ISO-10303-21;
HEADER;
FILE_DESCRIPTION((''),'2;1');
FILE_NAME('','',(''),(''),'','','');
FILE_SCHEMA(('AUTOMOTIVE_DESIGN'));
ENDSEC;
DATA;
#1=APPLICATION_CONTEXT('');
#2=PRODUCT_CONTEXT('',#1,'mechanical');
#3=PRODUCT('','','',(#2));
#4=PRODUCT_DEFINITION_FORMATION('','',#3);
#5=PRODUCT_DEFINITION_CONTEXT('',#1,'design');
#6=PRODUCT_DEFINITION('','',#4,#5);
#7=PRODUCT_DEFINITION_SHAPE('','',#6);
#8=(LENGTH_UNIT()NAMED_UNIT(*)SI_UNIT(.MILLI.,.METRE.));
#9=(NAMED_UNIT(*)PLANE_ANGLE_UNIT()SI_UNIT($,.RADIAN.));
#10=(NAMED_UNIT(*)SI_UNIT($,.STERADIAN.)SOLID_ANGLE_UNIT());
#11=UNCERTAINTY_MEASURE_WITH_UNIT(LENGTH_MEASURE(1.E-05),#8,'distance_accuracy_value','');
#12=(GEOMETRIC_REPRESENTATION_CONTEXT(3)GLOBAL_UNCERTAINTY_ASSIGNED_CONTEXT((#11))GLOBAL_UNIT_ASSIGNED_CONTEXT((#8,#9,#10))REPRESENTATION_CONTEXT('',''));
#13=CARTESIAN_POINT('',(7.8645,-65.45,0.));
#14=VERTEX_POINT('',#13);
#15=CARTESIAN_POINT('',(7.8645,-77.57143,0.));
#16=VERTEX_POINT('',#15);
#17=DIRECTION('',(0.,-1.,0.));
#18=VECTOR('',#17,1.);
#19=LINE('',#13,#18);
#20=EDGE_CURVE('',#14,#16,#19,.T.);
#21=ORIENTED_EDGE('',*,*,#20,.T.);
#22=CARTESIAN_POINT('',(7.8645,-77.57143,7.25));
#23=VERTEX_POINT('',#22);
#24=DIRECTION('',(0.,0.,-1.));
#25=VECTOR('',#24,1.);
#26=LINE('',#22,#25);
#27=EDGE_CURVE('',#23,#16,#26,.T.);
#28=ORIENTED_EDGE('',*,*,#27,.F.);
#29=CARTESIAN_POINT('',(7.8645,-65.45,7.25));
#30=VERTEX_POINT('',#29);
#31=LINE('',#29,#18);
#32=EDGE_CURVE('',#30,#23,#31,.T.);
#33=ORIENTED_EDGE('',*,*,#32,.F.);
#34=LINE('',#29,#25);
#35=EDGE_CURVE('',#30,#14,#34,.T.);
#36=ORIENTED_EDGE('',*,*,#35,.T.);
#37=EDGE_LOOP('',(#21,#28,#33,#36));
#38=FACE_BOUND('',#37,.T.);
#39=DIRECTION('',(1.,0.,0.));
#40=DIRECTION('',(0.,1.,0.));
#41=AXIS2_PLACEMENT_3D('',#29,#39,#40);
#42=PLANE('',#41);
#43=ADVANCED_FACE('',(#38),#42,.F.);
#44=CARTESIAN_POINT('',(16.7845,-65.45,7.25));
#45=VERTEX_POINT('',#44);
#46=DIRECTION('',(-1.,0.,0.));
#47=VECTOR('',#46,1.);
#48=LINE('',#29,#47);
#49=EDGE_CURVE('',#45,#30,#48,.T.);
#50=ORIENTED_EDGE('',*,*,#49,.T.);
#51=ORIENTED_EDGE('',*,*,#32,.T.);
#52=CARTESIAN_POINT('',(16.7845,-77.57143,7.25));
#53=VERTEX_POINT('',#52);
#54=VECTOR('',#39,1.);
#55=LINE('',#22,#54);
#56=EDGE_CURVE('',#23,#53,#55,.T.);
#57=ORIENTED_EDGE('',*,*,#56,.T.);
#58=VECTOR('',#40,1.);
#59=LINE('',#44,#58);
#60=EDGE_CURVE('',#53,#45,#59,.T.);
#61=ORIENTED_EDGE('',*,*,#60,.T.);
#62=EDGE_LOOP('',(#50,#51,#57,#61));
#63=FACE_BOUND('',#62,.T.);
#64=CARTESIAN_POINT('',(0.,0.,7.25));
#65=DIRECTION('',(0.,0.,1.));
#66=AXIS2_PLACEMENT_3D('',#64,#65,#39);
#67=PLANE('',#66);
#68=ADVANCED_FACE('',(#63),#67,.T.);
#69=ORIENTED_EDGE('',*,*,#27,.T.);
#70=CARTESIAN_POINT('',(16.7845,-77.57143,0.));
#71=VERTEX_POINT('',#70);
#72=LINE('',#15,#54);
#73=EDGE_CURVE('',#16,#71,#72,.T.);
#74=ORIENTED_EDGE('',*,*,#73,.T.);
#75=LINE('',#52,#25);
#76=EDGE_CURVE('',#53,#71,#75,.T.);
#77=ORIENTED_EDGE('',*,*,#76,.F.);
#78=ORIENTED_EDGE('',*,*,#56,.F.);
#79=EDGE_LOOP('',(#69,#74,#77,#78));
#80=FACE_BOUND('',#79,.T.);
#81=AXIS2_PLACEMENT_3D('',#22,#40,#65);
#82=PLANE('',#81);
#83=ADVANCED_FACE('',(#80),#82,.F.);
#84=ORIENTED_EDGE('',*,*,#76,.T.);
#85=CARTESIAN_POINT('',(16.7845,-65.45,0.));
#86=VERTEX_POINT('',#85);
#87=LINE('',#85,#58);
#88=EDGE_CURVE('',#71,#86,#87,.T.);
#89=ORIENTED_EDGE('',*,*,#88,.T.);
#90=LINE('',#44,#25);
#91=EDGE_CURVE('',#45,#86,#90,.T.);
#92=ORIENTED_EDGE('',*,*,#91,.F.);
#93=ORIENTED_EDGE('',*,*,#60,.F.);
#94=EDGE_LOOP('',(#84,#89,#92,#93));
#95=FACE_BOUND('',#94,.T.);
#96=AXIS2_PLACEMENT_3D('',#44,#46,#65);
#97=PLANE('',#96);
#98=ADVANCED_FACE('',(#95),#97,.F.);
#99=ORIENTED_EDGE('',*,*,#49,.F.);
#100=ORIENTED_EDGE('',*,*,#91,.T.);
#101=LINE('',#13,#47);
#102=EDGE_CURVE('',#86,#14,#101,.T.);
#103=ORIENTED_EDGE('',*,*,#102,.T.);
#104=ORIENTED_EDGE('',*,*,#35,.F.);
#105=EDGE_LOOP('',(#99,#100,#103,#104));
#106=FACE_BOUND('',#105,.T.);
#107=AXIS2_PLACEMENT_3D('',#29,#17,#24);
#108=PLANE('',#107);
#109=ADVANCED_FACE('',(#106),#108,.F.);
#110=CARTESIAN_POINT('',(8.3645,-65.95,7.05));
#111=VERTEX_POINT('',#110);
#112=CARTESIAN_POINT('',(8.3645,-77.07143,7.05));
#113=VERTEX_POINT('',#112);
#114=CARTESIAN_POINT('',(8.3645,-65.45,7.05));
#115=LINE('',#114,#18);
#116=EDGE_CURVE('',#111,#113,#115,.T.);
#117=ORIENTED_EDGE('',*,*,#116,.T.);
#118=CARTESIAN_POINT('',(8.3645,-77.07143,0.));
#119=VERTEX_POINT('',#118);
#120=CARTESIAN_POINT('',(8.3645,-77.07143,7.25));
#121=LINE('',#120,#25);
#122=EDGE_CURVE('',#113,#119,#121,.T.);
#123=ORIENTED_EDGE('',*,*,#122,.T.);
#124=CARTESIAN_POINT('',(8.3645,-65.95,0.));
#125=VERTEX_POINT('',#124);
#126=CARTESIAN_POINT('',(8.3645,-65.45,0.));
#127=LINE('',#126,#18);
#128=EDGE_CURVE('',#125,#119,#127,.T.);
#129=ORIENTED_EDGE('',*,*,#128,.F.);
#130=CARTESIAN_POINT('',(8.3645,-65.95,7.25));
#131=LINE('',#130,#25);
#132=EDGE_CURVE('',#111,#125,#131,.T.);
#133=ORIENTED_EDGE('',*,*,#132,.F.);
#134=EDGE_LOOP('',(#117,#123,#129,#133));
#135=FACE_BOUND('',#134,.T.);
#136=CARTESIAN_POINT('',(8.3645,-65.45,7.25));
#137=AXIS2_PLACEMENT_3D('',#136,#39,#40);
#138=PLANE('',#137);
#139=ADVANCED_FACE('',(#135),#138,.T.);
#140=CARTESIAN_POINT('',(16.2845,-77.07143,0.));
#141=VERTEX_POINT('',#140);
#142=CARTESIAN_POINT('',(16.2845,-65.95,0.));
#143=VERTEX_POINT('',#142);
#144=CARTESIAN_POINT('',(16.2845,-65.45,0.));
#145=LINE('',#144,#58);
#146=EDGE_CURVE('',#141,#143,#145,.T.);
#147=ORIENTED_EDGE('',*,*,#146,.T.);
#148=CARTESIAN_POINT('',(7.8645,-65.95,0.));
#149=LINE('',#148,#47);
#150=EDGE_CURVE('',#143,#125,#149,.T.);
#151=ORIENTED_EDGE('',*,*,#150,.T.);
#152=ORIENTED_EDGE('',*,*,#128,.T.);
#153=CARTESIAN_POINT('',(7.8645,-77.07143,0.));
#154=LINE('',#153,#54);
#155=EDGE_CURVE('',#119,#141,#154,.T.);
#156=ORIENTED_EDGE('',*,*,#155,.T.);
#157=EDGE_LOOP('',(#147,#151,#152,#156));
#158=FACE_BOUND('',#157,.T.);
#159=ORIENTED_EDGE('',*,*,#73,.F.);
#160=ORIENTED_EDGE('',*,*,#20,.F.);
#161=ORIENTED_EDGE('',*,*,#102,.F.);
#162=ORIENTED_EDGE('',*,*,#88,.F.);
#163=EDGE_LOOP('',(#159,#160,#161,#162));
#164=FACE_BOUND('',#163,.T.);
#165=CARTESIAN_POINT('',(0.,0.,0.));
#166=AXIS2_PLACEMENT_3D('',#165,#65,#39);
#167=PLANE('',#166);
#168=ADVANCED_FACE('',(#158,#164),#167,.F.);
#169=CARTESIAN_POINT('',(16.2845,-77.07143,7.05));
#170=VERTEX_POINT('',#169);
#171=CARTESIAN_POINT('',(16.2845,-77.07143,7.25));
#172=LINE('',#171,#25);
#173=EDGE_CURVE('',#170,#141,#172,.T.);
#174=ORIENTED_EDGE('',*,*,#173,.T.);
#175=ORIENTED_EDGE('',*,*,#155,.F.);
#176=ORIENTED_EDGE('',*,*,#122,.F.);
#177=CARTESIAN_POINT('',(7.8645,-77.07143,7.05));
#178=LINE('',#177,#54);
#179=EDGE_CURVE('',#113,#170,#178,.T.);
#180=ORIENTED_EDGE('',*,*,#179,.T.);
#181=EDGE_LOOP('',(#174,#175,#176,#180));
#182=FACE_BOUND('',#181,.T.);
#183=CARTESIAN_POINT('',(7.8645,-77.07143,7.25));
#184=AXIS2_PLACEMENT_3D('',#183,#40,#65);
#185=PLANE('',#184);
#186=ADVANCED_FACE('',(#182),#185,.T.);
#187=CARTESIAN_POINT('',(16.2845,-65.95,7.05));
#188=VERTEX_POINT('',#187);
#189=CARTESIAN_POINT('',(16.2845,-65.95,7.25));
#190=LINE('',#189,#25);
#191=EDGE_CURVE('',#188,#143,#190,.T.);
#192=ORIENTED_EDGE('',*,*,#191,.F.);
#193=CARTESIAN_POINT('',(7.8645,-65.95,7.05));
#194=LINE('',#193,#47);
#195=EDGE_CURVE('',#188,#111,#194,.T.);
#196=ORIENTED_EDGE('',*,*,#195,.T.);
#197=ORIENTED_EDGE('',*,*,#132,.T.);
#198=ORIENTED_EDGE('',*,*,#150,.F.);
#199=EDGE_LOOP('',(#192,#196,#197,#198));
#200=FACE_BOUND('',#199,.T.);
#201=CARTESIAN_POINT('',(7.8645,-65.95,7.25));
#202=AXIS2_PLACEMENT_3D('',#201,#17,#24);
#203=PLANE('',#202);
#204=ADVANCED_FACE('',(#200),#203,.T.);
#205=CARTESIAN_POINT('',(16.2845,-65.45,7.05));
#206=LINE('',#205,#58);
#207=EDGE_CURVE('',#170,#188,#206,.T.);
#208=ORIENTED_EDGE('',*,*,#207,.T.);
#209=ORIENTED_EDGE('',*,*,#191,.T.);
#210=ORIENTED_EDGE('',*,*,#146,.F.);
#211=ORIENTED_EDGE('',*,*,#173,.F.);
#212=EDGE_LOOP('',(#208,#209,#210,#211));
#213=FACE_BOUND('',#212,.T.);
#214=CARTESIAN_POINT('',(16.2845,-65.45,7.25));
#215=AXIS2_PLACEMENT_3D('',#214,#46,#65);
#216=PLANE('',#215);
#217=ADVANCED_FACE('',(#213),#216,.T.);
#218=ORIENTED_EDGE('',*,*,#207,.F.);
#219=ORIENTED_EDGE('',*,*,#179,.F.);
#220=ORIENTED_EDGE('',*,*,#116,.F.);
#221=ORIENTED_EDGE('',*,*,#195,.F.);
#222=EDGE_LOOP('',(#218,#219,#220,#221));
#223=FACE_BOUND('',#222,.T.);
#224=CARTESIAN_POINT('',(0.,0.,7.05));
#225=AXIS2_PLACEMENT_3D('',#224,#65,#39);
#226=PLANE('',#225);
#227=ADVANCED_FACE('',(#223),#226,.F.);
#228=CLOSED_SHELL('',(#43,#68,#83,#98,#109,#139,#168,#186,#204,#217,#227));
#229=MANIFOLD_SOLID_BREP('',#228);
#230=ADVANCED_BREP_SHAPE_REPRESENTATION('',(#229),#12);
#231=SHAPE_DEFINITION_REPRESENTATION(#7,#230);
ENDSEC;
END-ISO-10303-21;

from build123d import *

# Parameters (mm, degrees)
SKETCH1_W                 = 8.92
SKETCH1_H                 = 12.121430126
BOSS_EXTRUDE1_DEPTH       = 7.25
SHELL1_T                  = -0.5
SHELL1_THICKNESS_2_FACE_W = 7.92
SHELL1_THICKNESS_2_FACE_H = 11.121430126
SHELL1_THICKNESS_2_DEPTH  = 0.3


with BuildPart() as part:
    # Sketch1 → Boss-Extrude1 (new body)
    with BuildSketch(Plane.XY):
        with Locations((12.3245, -71.510715063)):
            Rectangle(SKETCH1_W, SKETCH1_H)
    extrude(amount=BOSS_EXTRUDE1_DEPTH)

    # Shell1
    shell1_openings = [part.faces().sort_by_distance(p)[0] for p in [
        (12.3245, -71.510715063, 0),
    ]]
    offset(amount=SHELL1_T, openings=shell1_openings, kind=Kind.INTERSECTION)

    # Shell1 thickness 2 face (on inner face of the shell) → Shell1 thickness 2 (cut)
    with BuildSketch(Plane(origin=(12.3245, -71.510715063, 6.75), x_dir=(1, 0, 0), z_dir=(0, 0, 1))):
        Rectangle(SHELL1_THICKNESS_2_FACE_W, SHELL1_THICKNESS_2_FACE_H)
    extrude(amount=SHELL1_THICKNESS_2_DEPTH, mode=Mode.SUBTRACT)


solid = part.part
